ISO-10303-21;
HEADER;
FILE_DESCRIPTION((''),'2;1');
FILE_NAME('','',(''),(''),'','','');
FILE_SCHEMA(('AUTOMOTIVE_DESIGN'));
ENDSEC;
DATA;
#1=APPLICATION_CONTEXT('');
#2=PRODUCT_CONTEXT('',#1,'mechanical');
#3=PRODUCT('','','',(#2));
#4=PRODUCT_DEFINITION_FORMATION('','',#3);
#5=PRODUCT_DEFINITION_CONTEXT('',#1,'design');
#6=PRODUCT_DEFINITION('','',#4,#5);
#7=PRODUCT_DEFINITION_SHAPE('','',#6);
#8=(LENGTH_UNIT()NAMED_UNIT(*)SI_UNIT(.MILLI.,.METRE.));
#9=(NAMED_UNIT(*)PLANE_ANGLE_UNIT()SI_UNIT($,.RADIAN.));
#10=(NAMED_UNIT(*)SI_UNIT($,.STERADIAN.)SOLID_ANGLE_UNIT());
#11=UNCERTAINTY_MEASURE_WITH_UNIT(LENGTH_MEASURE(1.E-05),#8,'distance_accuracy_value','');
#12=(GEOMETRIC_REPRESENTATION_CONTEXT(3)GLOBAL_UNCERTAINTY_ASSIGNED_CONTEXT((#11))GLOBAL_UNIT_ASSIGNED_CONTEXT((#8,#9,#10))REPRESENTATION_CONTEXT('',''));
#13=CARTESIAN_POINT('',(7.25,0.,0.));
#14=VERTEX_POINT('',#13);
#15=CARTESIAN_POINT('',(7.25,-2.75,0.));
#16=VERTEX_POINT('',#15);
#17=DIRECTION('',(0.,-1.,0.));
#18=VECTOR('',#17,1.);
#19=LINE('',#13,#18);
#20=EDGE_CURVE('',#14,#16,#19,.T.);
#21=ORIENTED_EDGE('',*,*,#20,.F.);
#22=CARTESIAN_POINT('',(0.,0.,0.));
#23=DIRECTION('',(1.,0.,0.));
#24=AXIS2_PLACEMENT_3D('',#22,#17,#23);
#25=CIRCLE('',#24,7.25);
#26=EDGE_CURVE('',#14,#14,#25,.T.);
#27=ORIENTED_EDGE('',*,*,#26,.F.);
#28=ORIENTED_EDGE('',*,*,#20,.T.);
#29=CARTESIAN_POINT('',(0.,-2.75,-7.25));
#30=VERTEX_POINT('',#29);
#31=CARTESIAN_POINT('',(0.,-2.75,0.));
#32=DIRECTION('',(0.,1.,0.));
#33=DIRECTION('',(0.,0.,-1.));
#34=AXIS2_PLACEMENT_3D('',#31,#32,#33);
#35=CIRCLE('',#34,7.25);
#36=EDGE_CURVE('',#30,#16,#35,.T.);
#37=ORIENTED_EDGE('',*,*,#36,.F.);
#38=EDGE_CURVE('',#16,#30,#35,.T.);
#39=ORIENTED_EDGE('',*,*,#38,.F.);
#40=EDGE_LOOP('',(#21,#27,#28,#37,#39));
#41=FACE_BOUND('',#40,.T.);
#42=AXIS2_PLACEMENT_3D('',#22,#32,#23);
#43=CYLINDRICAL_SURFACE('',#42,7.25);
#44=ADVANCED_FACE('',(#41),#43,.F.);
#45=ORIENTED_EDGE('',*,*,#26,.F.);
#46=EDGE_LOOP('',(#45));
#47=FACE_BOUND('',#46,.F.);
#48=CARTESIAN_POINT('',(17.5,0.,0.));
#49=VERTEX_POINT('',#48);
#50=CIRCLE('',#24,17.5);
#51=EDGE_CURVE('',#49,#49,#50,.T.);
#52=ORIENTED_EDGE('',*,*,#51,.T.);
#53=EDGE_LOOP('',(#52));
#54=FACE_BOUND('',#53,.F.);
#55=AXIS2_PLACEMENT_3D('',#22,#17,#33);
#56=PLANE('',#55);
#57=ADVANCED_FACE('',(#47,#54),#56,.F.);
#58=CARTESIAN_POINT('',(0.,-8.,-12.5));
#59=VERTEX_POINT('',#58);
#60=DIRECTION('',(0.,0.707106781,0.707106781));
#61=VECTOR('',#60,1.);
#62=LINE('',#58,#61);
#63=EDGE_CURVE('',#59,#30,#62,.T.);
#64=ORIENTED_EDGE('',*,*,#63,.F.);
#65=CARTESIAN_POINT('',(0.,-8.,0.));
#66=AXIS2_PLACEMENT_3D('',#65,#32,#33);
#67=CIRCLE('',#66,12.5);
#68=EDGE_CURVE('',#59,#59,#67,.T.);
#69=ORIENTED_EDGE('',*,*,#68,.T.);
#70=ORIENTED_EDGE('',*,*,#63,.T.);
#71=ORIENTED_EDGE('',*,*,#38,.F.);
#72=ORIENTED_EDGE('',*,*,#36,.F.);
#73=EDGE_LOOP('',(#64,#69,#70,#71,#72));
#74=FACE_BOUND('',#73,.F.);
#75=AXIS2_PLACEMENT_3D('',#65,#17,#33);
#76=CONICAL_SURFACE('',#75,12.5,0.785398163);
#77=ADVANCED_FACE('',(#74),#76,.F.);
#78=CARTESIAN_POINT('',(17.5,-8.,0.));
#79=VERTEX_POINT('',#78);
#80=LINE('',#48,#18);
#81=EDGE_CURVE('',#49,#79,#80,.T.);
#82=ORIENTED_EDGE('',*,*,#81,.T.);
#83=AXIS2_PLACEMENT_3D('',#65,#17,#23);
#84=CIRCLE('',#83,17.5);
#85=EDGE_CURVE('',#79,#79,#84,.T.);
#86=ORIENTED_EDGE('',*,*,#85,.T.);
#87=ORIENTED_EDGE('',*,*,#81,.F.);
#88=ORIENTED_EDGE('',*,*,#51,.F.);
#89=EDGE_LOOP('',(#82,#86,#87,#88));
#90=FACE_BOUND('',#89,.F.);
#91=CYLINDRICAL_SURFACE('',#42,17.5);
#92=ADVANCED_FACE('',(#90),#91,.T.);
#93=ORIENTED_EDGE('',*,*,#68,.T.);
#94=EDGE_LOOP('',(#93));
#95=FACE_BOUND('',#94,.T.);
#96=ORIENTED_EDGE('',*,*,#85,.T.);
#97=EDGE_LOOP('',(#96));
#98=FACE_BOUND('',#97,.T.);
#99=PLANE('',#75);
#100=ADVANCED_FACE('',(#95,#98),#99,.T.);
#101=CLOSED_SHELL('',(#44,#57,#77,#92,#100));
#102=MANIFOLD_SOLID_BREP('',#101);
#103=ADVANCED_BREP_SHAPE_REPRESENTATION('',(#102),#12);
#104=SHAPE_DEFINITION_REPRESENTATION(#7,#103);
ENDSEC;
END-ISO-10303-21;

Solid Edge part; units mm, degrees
sketch "Sketch1" plane through (0, 0, 0) normal (0, -1, 0) x (1, 0, 0)
  circle A0 centre (0, 0) radius 17.5
  circle A1 centre (0, 0) radius 7.25
  dimension "D1" = 35
  dimension "D2" = 14.5
extrude "Protrusion1" add sketch "Sketch1" along normal blind 8
hole "Hole_1" at (0, -8, 0) direction (0, 1, 0) diameter 14.5 end up to next countersink diameter 25 countersink angle 90
properties part number "5" material "Fe - 410 W"
